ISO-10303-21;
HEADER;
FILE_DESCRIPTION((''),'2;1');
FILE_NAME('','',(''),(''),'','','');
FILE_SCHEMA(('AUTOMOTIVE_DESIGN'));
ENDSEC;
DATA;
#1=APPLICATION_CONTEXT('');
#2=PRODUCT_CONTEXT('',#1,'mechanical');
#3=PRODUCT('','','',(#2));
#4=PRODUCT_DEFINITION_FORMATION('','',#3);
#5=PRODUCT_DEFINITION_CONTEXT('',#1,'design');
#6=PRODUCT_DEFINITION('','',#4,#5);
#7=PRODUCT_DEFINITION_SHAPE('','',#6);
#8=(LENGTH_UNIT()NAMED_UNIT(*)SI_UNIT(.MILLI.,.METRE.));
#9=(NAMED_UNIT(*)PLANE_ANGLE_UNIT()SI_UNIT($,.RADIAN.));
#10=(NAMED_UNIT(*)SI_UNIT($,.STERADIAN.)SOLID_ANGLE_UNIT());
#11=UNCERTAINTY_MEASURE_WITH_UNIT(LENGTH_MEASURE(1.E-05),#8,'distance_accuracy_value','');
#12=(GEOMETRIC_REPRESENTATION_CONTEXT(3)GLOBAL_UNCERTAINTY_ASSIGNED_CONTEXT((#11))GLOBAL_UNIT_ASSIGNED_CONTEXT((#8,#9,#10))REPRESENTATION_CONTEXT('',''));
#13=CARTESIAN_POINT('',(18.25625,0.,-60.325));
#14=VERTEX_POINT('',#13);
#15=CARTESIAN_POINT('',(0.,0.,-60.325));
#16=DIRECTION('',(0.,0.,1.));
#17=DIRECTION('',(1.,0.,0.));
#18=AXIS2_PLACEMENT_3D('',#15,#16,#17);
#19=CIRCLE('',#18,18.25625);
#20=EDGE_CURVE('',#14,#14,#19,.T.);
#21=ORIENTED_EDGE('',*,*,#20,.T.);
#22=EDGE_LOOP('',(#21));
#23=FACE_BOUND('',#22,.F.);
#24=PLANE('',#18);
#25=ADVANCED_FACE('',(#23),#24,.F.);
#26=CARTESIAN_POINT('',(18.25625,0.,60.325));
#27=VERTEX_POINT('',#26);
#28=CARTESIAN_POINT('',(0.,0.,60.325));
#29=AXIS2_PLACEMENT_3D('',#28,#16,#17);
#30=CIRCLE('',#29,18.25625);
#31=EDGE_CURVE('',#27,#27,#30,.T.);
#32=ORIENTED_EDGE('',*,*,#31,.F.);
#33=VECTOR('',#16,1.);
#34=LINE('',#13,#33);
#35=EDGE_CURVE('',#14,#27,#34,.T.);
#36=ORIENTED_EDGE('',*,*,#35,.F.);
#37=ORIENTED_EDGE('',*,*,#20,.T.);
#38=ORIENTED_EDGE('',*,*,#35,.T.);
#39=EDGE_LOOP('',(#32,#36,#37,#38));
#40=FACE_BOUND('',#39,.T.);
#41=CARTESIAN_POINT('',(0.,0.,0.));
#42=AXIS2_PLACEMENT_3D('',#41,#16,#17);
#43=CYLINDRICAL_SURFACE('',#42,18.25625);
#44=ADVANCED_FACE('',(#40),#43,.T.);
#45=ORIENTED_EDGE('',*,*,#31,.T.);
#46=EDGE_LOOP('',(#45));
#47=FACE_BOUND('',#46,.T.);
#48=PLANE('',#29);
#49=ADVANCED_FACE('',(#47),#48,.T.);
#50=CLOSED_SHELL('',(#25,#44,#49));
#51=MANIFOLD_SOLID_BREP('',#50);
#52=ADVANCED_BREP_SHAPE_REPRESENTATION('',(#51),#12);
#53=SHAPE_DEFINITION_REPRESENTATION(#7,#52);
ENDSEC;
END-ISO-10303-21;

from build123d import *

# Parameters (mm, degrees)
SKETCH1_R           = 18.25625
BOSS_EXTRUDE1_DEPTH = 60.325


with BuildPart() as part:
    # Sketch1 → Boss-Extrude1 (new body, symmetric)
    with BuildSketch(Plane.XY):
        Circle(SKETCH1_R)
    extrude(amount=BOSS_EXTRUDE1_DEPTH, both=True)


solid = part.part
